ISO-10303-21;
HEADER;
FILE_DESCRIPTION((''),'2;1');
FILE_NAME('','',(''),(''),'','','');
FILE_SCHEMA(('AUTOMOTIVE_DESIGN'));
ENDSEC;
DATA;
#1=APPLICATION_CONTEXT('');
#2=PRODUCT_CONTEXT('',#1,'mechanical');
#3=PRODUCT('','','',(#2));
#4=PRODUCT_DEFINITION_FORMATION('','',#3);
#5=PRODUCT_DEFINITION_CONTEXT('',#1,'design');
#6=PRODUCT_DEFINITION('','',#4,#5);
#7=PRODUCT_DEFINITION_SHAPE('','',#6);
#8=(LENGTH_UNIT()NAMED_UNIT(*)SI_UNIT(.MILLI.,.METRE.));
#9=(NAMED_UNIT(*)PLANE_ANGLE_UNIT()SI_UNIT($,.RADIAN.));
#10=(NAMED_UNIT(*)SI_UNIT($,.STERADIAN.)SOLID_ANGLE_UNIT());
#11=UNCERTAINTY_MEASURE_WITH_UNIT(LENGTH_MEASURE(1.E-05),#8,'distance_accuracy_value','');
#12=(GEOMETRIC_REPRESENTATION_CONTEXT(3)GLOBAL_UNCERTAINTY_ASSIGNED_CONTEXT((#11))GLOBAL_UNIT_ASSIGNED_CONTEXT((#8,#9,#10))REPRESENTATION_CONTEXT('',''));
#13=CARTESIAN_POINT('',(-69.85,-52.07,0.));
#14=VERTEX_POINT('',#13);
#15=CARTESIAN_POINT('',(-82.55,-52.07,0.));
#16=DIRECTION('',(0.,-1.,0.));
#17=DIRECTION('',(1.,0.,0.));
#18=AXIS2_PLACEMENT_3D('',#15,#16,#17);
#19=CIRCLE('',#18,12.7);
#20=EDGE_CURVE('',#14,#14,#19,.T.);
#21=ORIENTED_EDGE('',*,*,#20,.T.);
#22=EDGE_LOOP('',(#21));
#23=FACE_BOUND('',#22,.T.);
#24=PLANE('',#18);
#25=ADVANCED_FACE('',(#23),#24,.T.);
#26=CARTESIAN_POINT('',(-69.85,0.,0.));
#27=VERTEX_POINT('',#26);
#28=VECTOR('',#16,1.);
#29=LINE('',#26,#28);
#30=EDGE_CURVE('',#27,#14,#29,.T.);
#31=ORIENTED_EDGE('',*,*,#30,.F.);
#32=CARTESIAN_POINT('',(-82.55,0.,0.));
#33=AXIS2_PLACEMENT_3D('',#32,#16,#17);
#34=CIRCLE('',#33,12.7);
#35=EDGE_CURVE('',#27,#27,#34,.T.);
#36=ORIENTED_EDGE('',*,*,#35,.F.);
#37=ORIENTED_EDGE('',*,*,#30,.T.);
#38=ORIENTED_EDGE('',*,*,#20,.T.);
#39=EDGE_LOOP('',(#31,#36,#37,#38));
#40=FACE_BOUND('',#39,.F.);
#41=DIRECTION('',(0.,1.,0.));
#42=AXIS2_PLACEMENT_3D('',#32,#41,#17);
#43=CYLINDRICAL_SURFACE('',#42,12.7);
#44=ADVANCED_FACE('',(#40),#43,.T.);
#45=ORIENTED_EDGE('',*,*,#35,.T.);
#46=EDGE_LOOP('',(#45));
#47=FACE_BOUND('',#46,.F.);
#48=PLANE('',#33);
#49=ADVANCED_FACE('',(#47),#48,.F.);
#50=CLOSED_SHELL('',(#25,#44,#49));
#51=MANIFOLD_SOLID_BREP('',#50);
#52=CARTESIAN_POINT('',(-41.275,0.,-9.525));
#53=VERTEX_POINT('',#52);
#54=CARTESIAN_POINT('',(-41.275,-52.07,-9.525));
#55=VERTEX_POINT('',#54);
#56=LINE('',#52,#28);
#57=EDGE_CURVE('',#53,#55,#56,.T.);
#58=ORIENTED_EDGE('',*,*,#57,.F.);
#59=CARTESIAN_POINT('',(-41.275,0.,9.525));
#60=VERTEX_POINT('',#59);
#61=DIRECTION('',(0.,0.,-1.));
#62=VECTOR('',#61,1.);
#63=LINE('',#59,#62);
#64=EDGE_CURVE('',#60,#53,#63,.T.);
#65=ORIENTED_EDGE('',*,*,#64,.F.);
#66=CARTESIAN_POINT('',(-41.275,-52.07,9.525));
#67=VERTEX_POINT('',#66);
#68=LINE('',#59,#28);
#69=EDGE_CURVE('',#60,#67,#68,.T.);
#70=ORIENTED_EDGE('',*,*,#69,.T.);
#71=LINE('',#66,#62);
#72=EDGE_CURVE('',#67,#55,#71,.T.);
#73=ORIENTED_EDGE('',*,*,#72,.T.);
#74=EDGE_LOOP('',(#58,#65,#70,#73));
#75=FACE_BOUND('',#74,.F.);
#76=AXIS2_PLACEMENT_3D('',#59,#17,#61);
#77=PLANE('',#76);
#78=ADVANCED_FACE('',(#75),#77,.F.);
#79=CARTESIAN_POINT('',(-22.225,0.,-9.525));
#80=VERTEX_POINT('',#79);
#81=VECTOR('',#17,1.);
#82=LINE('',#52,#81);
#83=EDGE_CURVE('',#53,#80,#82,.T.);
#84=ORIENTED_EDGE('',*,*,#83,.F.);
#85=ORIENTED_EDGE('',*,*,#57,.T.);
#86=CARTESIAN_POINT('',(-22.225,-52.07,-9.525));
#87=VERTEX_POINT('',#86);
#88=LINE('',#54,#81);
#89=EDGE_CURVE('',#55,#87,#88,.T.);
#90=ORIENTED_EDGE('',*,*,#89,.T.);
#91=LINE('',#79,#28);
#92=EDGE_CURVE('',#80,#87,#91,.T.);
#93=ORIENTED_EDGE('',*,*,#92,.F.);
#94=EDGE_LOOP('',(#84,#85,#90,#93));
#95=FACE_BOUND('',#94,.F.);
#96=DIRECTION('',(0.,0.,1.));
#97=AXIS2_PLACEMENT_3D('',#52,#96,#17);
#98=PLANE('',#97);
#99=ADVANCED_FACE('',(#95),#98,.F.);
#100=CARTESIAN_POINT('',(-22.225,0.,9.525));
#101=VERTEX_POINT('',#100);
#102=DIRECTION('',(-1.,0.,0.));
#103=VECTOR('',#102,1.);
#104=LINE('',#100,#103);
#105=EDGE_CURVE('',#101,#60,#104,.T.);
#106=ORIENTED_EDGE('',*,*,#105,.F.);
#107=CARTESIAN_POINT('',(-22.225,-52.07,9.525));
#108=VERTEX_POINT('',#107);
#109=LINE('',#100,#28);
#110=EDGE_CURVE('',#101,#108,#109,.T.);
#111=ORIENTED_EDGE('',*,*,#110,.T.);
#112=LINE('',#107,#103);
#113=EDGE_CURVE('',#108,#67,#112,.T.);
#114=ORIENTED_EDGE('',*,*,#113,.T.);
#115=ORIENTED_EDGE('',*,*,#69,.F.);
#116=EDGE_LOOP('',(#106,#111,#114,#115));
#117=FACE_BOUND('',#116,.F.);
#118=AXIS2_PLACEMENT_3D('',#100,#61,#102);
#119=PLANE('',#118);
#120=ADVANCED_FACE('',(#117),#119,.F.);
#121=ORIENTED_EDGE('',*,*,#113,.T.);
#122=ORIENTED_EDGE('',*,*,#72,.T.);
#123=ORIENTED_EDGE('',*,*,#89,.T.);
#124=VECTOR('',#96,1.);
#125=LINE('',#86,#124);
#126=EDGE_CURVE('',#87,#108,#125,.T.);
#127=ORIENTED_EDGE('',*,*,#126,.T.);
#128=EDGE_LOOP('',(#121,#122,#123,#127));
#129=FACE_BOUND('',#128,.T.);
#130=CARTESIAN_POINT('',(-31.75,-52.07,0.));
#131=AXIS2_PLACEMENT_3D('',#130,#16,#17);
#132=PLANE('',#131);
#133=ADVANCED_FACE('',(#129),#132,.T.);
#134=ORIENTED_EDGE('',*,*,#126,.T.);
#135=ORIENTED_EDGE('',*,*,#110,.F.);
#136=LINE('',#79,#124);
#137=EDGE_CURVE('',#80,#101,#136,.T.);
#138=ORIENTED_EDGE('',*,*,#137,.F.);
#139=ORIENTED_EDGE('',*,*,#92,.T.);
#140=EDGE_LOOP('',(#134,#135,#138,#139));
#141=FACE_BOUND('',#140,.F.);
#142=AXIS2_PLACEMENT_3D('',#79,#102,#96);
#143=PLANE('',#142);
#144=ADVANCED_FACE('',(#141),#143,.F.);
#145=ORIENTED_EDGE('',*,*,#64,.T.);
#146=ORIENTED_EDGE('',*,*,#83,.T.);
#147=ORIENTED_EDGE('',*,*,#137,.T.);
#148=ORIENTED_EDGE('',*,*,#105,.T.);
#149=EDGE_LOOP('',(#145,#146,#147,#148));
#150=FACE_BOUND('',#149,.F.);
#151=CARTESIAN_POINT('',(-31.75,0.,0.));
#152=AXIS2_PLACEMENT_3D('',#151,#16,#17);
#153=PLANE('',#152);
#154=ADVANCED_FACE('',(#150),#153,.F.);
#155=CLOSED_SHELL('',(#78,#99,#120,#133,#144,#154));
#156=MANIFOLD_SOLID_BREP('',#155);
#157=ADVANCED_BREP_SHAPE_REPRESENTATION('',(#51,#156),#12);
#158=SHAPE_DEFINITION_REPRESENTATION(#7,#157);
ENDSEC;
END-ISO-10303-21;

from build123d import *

# Parameters (mm, degrees)
F0_R     = 12.7
F1_DEPTH = 52.07


with BuildPart() as f1:
    # F0 (on Front) → F1 (new body)
    with BuildSketch(Plane.XZ):
        with Locations((-82.55, 0)):
            Circle(F0_R)
        Polygon((-22.225, -9.525), (-22.225, 9.525), (-41.275, 9.525), (-41.275, 0), (-41.275, -9.525), align=None)
    extrude(amount=F1_DEPTH)


solid = f1.part
